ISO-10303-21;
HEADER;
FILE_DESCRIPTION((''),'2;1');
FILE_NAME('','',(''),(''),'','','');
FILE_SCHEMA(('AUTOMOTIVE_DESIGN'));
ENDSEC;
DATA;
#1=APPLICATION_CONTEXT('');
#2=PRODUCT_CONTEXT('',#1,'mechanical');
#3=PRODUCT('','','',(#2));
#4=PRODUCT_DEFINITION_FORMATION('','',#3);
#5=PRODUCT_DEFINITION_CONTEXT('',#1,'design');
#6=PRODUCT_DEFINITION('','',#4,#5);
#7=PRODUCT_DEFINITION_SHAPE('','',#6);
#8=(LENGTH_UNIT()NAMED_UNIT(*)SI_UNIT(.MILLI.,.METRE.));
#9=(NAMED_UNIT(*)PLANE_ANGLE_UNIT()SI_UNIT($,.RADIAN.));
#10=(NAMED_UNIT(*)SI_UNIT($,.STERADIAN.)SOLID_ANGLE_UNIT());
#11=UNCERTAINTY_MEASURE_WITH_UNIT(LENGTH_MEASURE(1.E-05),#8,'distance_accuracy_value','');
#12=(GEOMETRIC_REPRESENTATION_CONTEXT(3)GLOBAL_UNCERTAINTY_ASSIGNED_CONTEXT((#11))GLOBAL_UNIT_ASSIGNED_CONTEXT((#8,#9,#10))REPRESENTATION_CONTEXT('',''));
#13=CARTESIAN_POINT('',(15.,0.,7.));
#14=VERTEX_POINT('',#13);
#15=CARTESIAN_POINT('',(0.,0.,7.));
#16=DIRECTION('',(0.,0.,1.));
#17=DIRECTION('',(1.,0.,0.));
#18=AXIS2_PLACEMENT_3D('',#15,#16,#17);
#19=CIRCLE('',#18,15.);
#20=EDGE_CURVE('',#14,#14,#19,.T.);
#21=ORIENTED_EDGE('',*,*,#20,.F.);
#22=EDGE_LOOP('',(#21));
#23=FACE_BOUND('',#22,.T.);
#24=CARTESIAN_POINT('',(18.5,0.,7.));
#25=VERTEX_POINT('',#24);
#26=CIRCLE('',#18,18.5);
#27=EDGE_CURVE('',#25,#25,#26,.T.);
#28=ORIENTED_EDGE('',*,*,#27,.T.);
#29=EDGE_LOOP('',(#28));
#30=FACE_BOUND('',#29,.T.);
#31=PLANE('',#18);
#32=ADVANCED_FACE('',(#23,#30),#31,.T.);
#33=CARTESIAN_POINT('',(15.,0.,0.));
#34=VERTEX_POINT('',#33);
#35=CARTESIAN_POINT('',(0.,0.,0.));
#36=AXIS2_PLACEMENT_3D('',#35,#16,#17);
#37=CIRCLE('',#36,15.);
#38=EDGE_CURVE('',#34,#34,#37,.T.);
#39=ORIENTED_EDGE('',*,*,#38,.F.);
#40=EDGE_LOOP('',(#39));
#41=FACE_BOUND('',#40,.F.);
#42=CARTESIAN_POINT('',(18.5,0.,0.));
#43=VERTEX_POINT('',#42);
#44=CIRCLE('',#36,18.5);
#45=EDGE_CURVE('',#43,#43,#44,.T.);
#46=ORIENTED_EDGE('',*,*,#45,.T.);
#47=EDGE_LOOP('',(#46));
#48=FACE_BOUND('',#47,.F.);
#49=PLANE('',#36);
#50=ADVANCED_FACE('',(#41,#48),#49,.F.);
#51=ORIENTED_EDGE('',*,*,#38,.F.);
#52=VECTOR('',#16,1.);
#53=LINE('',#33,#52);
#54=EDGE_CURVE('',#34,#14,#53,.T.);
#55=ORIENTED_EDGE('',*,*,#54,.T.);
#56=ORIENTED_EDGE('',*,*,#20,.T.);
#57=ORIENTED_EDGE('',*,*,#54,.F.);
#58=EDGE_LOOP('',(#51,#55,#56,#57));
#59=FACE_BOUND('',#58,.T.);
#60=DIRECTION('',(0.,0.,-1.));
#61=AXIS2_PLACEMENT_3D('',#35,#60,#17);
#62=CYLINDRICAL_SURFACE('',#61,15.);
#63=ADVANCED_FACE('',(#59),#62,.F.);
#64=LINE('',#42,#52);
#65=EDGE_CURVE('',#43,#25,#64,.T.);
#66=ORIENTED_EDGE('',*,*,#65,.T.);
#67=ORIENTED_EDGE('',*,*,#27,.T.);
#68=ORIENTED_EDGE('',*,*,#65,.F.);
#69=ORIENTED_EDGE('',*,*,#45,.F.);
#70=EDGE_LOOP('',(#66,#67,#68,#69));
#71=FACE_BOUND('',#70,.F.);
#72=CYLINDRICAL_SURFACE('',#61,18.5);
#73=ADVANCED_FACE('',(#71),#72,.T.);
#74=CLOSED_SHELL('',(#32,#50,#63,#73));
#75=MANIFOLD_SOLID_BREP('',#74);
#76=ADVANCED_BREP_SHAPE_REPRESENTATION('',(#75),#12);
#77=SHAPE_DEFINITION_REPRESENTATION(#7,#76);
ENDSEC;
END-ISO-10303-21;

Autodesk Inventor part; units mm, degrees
ref_plane "YZ Plane" through (0, 0, 0) normal (1, 0, 0) x (0, 1, 0)
ref_plane "XZ Plane" through (0, 0, 0) normal (0, 1, 0) x (-1, 0, 0)
ref_plane "XY Plane" through (0, 0, 0) normal (0, 0, 1) x (1, 0, 0)
sketch "Sketch1" plane through (0, 0, 0) normal (0, 0, 1) x (1, 0, 0)
  circle A0 centre (0, 0) radius 15
  circle A1 centre (0, 0) radius 18.5
  dimension "d4" = 15
  dimension "d6" = 18.5
extrude "Extrusion1" add sketch "Sketch1" along normal blind 7
equation "\"d4\" = Rli"
equation "\"d6\" = Rla"
equation "\"E_\" = 1"
equation "\"Rr_\" = 2"
equation "\"R_\" = 19"
equation "\"Ri\" = 11.75"
equation "\"Rl\" = 17.5"
equation "\"Ra\" = 21.5"
equation "\"Rla\" = 18.5"
equation "\"Rli\" = 15"
equation "\"Rca\" = 7"
equation "\"Rea\" = 3.5"
equation "\"Rci\" = 5"
equation "\"Rei\" = 2"
equation "\"Ras\" = 1"
equation "\"Rsi\" = 5"
equation "\"Rsa\" = 7.5"
properties part number "45x58x7 bearing"
